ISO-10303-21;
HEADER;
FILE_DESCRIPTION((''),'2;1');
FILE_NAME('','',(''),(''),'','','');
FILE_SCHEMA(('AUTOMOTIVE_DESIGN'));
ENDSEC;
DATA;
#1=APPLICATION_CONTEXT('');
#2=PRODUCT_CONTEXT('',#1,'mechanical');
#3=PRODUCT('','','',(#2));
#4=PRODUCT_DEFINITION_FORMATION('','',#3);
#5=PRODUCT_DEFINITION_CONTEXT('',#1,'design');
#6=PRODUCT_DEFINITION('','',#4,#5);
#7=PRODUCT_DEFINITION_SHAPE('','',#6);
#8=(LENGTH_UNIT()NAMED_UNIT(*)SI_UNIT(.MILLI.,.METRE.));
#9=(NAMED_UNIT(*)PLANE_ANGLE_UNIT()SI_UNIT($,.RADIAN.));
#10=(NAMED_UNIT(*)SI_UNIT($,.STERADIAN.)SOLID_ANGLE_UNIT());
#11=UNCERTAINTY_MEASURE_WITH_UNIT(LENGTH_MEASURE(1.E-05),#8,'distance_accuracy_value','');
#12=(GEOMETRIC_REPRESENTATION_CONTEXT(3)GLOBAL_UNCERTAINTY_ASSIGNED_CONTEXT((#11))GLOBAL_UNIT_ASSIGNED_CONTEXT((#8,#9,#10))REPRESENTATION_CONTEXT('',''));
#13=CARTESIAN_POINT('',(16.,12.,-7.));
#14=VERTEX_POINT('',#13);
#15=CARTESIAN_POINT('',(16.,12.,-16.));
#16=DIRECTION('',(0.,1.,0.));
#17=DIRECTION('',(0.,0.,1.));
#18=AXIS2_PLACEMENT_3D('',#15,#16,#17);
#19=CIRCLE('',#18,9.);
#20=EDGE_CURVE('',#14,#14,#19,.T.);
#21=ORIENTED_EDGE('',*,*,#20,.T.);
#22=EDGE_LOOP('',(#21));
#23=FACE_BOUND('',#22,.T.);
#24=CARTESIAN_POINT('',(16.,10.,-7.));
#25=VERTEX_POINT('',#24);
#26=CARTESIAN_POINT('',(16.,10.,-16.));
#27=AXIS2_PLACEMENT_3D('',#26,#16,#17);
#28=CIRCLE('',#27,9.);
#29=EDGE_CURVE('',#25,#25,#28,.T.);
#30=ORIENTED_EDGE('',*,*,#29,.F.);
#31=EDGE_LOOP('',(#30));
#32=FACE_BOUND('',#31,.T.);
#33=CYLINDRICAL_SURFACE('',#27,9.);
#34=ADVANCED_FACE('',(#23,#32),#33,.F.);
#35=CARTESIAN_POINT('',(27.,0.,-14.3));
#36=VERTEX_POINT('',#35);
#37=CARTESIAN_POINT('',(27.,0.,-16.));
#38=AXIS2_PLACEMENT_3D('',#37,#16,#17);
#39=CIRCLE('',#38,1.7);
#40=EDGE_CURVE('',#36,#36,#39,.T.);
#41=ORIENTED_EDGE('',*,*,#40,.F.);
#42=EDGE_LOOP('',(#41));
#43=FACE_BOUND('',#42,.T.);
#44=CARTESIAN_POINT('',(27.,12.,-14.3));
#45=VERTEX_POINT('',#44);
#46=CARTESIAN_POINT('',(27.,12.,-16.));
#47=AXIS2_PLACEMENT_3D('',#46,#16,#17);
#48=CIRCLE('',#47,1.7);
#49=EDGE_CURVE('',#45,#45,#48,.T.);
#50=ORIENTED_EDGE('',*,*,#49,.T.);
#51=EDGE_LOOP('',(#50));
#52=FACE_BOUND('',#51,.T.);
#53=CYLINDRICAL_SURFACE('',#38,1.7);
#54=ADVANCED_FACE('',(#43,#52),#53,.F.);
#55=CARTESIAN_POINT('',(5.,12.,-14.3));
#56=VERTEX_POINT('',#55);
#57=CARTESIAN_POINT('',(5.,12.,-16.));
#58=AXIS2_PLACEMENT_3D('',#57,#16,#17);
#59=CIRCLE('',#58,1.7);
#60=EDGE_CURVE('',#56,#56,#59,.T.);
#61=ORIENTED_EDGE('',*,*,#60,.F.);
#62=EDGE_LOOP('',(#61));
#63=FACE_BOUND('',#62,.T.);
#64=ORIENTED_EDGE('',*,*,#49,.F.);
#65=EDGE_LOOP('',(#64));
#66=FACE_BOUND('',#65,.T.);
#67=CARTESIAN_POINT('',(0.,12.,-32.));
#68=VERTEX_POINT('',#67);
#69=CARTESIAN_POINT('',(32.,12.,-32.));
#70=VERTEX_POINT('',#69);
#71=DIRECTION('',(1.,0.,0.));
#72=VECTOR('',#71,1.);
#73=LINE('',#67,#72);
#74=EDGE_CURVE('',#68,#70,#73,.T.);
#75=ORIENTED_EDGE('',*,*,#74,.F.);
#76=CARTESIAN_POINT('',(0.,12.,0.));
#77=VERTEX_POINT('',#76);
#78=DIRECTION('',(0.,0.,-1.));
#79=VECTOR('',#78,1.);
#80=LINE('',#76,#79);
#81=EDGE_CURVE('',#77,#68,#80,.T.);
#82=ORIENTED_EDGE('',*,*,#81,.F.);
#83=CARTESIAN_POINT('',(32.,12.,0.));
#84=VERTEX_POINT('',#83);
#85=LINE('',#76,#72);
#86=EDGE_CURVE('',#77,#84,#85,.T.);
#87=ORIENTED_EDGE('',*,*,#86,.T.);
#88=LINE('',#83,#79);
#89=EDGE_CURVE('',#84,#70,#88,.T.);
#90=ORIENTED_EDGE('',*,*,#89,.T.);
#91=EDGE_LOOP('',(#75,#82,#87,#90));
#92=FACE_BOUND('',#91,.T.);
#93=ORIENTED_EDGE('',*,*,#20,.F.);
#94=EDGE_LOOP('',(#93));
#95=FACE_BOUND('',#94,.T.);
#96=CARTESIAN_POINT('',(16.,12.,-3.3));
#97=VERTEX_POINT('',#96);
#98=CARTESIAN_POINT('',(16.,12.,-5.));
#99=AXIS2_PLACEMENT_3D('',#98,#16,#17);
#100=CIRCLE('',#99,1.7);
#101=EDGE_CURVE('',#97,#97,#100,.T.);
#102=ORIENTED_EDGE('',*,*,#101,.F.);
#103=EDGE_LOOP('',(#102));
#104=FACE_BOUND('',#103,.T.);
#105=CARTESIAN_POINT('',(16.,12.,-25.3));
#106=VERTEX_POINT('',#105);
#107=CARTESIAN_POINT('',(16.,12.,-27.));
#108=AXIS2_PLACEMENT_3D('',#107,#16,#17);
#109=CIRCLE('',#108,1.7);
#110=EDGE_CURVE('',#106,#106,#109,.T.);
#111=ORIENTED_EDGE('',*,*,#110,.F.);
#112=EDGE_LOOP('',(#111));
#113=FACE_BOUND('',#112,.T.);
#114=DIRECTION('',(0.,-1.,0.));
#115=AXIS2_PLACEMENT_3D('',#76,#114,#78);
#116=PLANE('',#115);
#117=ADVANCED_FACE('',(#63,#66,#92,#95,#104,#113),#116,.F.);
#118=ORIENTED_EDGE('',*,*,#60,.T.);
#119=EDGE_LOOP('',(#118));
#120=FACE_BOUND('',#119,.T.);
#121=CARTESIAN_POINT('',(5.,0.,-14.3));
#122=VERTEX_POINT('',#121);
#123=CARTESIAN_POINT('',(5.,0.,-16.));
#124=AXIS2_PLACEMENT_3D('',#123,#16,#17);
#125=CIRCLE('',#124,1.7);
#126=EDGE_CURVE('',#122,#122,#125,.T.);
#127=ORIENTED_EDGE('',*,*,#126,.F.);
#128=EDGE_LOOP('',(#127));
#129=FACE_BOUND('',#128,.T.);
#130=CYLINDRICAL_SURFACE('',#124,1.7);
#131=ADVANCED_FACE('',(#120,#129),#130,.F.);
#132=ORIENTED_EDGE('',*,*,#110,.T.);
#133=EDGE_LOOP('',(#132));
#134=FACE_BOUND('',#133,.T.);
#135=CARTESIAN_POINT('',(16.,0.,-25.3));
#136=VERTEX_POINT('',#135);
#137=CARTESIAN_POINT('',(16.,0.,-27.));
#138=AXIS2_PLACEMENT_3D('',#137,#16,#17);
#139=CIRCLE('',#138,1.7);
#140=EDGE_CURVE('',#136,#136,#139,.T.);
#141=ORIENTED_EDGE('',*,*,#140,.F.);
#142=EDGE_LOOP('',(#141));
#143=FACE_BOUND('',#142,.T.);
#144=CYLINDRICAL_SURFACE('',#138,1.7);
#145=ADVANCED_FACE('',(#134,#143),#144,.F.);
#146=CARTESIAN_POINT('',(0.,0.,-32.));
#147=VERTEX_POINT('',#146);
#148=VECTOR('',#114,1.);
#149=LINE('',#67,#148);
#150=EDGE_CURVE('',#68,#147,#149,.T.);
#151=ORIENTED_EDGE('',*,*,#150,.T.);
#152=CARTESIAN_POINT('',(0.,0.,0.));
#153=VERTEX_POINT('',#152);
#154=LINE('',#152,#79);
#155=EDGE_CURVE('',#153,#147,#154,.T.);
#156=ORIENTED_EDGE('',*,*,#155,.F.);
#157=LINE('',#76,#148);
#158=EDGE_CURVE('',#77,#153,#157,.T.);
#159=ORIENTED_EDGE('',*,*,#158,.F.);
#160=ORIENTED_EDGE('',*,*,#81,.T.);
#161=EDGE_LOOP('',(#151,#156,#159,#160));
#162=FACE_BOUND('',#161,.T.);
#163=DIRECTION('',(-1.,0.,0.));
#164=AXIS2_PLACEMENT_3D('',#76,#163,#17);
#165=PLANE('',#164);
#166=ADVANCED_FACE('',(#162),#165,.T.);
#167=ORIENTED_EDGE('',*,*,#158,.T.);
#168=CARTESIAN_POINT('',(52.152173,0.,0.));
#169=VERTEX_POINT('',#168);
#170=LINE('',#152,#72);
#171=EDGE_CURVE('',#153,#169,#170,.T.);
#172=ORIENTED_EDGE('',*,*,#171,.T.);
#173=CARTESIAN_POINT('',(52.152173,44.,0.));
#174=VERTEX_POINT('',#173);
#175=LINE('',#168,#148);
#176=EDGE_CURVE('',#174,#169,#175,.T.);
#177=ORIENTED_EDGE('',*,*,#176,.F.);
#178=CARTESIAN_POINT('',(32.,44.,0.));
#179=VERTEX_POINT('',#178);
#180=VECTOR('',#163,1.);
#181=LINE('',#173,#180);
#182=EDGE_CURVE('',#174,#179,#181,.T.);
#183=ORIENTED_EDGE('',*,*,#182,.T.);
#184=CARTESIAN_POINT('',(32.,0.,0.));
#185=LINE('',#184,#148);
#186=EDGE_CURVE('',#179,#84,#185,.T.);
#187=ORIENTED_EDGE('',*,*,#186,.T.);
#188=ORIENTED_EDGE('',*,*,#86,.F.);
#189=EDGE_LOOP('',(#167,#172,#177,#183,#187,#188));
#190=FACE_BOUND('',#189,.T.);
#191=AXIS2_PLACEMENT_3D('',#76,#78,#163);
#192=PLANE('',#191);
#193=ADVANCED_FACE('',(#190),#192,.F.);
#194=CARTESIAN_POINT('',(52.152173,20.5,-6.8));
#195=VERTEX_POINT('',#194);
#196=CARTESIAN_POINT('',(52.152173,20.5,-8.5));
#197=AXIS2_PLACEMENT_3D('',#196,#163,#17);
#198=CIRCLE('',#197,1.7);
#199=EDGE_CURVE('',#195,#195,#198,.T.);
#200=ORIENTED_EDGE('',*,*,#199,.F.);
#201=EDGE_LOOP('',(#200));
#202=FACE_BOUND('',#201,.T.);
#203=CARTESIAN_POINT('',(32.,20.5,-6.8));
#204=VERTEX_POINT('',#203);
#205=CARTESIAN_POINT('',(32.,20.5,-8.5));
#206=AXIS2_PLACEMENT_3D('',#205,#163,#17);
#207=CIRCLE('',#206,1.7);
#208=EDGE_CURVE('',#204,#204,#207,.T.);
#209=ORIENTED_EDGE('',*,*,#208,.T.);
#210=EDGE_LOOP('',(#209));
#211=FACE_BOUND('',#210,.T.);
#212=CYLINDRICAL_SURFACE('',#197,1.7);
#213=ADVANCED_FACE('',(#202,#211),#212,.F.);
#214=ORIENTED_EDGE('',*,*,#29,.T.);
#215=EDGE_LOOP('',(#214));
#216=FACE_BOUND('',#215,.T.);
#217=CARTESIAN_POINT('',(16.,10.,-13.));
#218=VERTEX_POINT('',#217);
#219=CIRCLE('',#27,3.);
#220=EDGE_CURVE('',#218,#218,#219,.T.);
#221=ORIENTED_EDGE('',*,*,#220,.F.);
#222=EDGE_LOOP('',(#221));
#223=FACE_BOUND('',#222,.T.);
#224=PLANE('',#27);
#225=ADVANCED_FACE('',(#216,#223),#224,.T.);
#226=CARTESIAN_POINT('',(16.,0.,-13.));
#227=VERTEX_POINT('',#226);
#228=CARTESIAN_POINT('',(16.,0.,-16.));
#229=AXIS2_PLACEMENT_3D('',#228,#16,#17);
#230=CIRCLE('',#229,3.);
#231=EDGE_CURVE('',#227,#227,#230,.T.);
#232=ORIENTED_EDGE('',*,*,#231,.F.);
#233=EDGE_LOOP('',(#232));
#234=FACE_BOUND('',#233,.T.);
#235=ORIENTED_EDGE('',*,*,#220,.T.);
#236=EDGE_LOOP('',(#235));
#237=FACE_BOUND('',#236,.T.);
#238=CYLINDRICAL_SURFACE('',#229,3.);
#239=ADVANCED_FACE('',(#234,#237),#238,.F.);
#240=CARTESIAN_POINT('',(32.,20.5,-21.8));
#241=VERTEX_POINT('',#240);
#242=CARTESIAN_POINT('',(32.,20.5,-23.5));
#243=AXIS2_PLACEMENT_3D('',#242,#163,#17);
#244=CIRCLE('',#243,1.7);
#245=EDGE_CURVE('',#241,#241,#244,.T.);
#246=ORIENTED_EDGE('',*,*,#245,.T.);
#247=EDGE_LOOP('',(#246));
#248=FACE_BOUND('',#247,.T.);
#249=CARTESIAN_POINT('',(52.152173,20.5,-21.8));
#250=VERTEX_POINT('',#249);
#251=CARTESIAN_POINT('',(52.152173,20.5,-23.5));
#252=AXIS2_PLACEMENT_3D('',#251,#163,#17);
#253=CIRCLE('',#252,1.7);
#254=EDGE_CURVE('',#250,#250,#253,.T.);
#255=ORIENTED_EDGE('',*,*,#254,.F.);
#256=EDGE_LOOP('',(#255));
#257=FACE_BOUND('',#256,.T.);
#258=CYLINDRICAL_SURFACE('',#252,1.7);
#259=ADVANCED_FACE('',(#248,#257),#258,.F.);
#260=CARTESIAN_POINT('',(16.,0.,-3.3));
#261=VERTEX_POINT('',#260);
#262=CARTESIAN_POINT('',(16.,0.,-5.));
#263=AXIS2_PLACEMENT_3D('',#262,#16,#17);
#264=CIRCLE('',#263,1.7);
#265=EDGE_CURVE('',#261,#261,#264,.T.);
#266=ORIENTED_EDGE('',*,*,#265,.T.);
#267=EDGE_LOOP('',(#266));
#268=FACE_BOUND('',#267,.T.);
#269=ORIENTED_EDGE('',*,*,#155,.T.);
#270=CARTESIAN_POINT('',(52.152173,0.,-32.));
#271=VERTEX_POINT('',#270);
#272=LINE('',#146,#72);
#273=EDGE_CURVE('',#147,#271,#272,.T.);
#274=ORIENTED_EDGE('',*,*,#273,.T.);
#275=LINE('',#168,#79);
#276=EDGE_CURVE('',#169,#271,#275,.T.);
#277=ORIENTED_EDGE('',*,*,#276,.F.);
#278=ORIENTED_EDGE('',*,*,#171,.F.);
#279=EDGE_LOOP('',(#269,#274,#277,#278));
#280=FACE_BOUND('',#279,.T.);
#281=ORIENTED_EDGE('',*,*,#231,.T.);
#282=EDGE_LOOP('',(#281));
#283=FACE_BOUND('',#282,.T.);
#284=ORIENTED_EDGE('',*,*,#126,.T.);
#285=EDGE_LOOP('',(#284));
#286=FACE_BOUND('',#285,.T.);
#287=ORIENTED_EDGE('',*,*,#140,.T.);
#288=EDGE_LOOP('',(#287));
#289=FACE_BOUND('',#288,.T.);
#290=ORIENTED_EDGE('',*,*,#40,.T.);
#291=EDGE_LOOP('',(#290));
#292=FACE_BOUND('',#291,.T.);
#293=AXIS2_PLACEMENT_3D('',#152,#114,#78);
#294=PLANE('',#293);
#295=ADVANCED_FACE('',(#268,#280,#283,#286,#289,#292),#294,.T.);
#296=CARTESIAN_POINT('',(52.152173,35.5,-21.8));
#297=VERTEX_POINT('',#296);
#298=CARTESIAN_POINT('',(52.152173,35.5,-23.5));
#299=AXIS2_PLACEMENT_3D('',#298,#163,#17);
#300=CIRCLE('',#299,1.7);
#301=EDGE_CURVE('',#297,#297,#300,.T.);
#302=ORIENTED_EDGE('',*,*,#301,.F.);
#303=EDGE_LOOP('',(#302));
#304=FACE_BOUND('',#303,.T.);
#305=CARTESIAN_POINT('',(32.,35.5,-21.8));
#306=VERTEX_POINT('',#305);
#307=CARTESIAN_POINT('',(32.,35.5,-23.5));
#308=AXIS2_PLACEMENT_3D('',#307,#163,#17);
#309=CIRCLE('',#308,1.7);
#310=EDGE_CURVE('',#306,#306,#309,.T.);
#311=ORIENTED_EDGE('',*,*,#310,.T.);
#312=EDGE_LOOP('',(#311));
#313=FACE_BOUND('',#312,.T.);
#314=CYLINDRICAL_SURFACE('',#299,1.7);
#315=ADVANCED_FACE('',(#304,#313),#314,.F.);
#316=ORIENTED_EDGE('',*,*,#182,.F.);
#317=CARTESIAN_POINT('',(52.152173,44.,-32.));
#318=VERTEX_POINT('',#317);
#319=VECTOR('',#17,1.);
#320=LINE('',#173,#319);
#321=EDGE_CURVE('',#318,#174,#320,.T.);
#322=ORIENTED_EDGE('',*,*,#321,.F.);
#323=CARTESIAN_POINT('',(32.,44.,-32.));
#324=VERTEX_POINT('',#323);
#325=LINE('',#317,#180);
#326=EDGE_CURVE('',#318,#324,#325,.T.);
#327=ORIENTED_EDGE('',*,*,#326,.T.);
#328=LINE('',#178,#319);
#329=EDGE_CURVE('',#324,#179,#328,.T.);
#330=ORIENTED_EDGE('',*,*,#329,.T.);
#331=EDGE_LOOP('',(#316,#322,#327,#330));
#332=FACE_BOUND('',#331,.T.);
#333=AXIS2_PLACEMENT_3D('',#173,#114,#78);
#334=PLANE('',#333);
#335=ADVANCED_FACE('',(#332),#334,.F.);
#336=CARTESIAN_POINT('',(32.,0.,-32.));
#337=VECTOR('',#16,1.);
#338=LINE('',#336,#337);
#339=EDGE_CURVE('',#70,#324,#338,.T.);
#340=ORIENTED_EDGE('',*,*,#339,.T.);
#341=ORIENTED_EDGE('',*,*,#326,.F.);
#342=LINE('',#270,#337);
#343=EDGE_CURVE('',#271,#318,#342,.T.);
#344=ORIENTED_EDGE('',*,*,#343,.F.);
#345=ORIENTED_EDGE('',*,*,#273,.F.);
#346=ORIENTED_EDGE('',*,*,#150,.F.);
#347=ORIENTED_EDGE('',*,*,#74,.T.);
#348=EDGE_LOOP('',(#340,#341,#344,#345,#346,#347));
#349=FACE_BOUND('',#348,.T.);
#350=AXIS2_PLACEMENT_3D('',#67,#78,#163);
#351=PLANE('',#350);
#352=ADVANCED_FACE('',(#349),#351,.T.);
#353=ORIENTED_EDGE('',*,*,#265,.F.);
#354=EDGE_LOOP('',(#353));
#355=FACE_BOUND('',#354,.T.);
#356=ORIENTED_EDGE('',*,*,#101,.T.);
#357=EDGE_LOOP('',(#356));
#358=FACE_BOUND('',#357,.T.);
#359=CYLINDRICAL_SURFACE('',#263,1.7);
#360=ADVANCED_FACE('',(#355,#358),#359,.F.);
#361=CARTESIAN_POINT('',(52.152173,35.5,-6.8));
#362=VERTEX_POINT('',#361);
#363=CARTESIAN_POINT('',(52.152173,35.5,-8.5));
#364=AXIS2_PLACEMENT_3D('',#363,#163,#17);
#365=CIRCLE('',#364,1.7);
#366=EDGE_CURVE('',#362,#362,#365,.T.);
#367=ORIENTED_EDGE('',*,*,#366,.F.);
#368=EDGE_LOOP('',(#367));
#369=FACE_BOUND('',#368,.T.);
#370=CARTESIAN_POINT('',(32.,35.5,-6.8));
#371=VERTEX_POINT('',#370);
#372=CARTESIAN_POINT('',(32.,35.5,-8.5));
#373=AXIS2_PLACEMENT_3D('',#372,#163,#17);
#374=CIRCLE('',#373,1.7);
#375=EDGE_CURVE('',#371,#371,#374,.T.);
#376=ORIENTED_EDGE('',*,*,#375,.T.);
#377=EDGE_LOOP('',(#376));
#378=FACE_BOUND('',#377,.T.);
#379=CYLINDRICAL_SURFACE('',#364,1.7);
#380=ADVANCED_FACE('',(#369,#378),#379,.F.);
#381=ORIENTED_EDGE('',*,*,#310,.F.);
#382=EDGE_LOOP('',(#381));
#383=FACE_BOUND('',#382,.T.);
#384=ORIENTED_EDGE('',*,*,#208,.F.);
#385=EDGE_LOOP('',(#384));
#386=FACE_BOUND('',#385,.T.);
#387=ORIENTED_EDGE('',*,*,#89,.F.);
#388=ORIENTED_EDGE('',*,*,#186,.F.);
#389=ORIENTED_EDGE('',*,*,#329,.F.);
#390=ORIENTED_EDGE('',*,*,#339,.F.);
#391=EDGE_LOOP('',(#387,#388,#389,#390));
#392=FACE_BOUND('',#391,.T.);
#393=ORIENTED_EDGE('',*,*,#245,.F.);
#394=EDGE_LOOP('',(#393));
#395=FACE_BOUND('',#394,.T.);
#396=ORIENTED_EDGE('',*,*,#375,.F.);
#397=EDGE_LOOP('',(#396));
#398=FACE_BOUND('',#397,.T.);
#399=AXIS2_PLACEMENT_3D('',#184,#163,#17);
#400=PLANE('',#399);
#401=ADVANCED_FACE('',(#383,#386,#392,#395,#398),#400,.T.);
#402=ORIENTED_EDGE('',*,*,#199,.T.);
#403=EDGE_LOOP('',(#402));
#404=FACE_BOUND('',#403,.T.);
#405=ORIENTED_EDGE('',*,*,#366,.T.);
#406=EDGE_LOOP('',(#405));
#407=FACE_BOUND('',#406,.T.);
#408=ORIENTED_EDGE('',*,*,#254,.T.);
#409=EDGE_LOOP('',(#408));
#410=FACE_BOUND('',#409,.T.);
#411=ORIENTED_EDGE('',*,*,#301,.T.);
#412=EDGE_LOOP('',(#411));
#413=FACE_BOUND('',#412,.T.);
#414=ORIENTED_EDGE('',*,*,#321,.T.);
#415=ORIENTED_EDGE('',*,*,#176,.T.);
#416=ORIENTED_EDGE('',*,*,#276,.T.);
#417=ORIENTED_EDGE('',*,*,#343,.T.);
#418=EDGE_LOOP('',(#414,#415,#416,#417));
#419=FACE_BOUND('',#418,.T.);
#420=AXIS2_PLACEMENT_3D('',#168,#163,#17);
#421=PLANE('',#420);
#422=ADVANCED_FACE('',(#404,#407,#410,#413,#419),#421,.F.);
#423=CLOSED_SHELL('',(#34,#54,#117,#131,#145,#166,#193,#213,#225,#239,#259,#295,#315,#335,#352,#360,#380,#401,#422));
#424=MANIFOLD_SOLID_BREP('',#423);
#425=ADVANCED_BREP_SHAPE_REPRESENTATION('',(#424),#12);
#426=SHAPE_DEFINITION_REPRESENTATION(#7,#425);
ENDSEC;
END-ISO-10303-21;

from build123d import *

# Parameters (mm, degrees)
SKETCH1_W           = 32
SKETCH1_H           = 32
BOSS_EXTRUDE1_DEPTH = 12
SKETCH3_R           = 9
CUT_EXTRUDE1_DEPTH  = 2
SKETCH5_R           = 3
CUT_EXTRUDE2_DEPTH  = 47.346520905
SKETCH6_R           = 1.7
CUT_EXTRUDE3_DEPTH  = 47.818799643
SKETCH7_W           = 32
SKETCH7_H           = 44
BOSS_EXTRUDE3_DEPTH = 20.152172572
SKETCH8_R           = 1.7
CUT_EXTRUDE4_DEPTH  = 64.118935352


with BuildPart() as part:
    # Sketch1 → Boss-Extrude1 (new body)
    with BuildSketch(Plane(origin=(0, 0, 0), x_dir=(1, 0, 0), z_dir=(0, 1, 0))):
        with Locations((16, 16)):
            Rectangle(SKETCH1_W, SKETCH1_H)
    extrude(amount=BOSS_EXTRUDE1_DEPTH)

    # Sketch3 → Cut-Extrude1 (cut)
    with BuildSketch(Plane(origin=(0, 12, 0), x_dir=(1, 0, 0), z_dir=(0, 1, 0))):
        with Locations(Location((16, 16, 0), (0, 0, 270))):
            Circle(SKETCH3_R)
    extrude(amount=-CUT_EXTRUDE1_DEPTH, mode=Mode.SUBTRACT)

    # Sketch5 → Cut-Extrude2 (cut, through all)
    with BuildSketch(Plane(origin=(0, 10, 0), x_dir=(1, 0, 0), z_dir=(0, 1, 0))):
        with Locations(Location((16, 16, 0), (0, 0, 270))):
            Circle(SKETCH5_R)
    extrude(amount=-CUT_EXTRUDE2_DEPTH, mode=Mode.SUBTRACT)

    # Sketch6 → Cut-Extrude3 (cut, through all)
    with BuildSketch(Plane(origin=(0, 12, 0), x_dir=(1, 0, 0), z_dir=(0, 1, 0))):
        with Locations(Location((16, 27, 0), (0, 0, 270))):
            Circle(SKETCH6_R)
        with Locations(Location((5, 16, 0), (0, 0, 270))):
            Circle(SKETCH6_R)
        with Locations(Location((16, 5, 0), (0, 0, 270))):
            Circle(SKETCH6_R)
        with Locations(Location((27, 16, 0), (0, 0, 270))):
            Circle(SKETCH6_R)
    extrude(amount=-CUT_EXTRUDE3_DEPTH, mode=Mode.SUBTRACT)

    # Sketch7 → Boss-Extrude3 (add)
    with BuildSketch(Plane(origin=(32, 0, 0), x_dir=(0, 0, -1), z_dir=(1, 0, 0))):
        with Locations((16, 22)):
            Rectangle(SKETCH7_W, SKETCH7_H)
    extrude(amount=BOSS_EXTRUDE3_DEPTH)

    # Sketch8 → Cut-Extrude4 (cut, through all)
    with BuildSketch(Plane.ZY.offset(-32)):
        with Locations((-23.5, 35.5)):
            Circle(SKETCH8_R)
        with Locations((-8.5, 35.5)):
            Circle(SKETCH8_R)
        with Locations((-8.5, 20.5)):
            Circle(SKETCH8_R)
        with Locations((-23.5, 20.5)):
            Circle(SKETCH8_R)
    extrude(amount=-CUT_EXTRUDE4_DEPTH, mode=Mode.SUBTRACT)


solid = part.part
